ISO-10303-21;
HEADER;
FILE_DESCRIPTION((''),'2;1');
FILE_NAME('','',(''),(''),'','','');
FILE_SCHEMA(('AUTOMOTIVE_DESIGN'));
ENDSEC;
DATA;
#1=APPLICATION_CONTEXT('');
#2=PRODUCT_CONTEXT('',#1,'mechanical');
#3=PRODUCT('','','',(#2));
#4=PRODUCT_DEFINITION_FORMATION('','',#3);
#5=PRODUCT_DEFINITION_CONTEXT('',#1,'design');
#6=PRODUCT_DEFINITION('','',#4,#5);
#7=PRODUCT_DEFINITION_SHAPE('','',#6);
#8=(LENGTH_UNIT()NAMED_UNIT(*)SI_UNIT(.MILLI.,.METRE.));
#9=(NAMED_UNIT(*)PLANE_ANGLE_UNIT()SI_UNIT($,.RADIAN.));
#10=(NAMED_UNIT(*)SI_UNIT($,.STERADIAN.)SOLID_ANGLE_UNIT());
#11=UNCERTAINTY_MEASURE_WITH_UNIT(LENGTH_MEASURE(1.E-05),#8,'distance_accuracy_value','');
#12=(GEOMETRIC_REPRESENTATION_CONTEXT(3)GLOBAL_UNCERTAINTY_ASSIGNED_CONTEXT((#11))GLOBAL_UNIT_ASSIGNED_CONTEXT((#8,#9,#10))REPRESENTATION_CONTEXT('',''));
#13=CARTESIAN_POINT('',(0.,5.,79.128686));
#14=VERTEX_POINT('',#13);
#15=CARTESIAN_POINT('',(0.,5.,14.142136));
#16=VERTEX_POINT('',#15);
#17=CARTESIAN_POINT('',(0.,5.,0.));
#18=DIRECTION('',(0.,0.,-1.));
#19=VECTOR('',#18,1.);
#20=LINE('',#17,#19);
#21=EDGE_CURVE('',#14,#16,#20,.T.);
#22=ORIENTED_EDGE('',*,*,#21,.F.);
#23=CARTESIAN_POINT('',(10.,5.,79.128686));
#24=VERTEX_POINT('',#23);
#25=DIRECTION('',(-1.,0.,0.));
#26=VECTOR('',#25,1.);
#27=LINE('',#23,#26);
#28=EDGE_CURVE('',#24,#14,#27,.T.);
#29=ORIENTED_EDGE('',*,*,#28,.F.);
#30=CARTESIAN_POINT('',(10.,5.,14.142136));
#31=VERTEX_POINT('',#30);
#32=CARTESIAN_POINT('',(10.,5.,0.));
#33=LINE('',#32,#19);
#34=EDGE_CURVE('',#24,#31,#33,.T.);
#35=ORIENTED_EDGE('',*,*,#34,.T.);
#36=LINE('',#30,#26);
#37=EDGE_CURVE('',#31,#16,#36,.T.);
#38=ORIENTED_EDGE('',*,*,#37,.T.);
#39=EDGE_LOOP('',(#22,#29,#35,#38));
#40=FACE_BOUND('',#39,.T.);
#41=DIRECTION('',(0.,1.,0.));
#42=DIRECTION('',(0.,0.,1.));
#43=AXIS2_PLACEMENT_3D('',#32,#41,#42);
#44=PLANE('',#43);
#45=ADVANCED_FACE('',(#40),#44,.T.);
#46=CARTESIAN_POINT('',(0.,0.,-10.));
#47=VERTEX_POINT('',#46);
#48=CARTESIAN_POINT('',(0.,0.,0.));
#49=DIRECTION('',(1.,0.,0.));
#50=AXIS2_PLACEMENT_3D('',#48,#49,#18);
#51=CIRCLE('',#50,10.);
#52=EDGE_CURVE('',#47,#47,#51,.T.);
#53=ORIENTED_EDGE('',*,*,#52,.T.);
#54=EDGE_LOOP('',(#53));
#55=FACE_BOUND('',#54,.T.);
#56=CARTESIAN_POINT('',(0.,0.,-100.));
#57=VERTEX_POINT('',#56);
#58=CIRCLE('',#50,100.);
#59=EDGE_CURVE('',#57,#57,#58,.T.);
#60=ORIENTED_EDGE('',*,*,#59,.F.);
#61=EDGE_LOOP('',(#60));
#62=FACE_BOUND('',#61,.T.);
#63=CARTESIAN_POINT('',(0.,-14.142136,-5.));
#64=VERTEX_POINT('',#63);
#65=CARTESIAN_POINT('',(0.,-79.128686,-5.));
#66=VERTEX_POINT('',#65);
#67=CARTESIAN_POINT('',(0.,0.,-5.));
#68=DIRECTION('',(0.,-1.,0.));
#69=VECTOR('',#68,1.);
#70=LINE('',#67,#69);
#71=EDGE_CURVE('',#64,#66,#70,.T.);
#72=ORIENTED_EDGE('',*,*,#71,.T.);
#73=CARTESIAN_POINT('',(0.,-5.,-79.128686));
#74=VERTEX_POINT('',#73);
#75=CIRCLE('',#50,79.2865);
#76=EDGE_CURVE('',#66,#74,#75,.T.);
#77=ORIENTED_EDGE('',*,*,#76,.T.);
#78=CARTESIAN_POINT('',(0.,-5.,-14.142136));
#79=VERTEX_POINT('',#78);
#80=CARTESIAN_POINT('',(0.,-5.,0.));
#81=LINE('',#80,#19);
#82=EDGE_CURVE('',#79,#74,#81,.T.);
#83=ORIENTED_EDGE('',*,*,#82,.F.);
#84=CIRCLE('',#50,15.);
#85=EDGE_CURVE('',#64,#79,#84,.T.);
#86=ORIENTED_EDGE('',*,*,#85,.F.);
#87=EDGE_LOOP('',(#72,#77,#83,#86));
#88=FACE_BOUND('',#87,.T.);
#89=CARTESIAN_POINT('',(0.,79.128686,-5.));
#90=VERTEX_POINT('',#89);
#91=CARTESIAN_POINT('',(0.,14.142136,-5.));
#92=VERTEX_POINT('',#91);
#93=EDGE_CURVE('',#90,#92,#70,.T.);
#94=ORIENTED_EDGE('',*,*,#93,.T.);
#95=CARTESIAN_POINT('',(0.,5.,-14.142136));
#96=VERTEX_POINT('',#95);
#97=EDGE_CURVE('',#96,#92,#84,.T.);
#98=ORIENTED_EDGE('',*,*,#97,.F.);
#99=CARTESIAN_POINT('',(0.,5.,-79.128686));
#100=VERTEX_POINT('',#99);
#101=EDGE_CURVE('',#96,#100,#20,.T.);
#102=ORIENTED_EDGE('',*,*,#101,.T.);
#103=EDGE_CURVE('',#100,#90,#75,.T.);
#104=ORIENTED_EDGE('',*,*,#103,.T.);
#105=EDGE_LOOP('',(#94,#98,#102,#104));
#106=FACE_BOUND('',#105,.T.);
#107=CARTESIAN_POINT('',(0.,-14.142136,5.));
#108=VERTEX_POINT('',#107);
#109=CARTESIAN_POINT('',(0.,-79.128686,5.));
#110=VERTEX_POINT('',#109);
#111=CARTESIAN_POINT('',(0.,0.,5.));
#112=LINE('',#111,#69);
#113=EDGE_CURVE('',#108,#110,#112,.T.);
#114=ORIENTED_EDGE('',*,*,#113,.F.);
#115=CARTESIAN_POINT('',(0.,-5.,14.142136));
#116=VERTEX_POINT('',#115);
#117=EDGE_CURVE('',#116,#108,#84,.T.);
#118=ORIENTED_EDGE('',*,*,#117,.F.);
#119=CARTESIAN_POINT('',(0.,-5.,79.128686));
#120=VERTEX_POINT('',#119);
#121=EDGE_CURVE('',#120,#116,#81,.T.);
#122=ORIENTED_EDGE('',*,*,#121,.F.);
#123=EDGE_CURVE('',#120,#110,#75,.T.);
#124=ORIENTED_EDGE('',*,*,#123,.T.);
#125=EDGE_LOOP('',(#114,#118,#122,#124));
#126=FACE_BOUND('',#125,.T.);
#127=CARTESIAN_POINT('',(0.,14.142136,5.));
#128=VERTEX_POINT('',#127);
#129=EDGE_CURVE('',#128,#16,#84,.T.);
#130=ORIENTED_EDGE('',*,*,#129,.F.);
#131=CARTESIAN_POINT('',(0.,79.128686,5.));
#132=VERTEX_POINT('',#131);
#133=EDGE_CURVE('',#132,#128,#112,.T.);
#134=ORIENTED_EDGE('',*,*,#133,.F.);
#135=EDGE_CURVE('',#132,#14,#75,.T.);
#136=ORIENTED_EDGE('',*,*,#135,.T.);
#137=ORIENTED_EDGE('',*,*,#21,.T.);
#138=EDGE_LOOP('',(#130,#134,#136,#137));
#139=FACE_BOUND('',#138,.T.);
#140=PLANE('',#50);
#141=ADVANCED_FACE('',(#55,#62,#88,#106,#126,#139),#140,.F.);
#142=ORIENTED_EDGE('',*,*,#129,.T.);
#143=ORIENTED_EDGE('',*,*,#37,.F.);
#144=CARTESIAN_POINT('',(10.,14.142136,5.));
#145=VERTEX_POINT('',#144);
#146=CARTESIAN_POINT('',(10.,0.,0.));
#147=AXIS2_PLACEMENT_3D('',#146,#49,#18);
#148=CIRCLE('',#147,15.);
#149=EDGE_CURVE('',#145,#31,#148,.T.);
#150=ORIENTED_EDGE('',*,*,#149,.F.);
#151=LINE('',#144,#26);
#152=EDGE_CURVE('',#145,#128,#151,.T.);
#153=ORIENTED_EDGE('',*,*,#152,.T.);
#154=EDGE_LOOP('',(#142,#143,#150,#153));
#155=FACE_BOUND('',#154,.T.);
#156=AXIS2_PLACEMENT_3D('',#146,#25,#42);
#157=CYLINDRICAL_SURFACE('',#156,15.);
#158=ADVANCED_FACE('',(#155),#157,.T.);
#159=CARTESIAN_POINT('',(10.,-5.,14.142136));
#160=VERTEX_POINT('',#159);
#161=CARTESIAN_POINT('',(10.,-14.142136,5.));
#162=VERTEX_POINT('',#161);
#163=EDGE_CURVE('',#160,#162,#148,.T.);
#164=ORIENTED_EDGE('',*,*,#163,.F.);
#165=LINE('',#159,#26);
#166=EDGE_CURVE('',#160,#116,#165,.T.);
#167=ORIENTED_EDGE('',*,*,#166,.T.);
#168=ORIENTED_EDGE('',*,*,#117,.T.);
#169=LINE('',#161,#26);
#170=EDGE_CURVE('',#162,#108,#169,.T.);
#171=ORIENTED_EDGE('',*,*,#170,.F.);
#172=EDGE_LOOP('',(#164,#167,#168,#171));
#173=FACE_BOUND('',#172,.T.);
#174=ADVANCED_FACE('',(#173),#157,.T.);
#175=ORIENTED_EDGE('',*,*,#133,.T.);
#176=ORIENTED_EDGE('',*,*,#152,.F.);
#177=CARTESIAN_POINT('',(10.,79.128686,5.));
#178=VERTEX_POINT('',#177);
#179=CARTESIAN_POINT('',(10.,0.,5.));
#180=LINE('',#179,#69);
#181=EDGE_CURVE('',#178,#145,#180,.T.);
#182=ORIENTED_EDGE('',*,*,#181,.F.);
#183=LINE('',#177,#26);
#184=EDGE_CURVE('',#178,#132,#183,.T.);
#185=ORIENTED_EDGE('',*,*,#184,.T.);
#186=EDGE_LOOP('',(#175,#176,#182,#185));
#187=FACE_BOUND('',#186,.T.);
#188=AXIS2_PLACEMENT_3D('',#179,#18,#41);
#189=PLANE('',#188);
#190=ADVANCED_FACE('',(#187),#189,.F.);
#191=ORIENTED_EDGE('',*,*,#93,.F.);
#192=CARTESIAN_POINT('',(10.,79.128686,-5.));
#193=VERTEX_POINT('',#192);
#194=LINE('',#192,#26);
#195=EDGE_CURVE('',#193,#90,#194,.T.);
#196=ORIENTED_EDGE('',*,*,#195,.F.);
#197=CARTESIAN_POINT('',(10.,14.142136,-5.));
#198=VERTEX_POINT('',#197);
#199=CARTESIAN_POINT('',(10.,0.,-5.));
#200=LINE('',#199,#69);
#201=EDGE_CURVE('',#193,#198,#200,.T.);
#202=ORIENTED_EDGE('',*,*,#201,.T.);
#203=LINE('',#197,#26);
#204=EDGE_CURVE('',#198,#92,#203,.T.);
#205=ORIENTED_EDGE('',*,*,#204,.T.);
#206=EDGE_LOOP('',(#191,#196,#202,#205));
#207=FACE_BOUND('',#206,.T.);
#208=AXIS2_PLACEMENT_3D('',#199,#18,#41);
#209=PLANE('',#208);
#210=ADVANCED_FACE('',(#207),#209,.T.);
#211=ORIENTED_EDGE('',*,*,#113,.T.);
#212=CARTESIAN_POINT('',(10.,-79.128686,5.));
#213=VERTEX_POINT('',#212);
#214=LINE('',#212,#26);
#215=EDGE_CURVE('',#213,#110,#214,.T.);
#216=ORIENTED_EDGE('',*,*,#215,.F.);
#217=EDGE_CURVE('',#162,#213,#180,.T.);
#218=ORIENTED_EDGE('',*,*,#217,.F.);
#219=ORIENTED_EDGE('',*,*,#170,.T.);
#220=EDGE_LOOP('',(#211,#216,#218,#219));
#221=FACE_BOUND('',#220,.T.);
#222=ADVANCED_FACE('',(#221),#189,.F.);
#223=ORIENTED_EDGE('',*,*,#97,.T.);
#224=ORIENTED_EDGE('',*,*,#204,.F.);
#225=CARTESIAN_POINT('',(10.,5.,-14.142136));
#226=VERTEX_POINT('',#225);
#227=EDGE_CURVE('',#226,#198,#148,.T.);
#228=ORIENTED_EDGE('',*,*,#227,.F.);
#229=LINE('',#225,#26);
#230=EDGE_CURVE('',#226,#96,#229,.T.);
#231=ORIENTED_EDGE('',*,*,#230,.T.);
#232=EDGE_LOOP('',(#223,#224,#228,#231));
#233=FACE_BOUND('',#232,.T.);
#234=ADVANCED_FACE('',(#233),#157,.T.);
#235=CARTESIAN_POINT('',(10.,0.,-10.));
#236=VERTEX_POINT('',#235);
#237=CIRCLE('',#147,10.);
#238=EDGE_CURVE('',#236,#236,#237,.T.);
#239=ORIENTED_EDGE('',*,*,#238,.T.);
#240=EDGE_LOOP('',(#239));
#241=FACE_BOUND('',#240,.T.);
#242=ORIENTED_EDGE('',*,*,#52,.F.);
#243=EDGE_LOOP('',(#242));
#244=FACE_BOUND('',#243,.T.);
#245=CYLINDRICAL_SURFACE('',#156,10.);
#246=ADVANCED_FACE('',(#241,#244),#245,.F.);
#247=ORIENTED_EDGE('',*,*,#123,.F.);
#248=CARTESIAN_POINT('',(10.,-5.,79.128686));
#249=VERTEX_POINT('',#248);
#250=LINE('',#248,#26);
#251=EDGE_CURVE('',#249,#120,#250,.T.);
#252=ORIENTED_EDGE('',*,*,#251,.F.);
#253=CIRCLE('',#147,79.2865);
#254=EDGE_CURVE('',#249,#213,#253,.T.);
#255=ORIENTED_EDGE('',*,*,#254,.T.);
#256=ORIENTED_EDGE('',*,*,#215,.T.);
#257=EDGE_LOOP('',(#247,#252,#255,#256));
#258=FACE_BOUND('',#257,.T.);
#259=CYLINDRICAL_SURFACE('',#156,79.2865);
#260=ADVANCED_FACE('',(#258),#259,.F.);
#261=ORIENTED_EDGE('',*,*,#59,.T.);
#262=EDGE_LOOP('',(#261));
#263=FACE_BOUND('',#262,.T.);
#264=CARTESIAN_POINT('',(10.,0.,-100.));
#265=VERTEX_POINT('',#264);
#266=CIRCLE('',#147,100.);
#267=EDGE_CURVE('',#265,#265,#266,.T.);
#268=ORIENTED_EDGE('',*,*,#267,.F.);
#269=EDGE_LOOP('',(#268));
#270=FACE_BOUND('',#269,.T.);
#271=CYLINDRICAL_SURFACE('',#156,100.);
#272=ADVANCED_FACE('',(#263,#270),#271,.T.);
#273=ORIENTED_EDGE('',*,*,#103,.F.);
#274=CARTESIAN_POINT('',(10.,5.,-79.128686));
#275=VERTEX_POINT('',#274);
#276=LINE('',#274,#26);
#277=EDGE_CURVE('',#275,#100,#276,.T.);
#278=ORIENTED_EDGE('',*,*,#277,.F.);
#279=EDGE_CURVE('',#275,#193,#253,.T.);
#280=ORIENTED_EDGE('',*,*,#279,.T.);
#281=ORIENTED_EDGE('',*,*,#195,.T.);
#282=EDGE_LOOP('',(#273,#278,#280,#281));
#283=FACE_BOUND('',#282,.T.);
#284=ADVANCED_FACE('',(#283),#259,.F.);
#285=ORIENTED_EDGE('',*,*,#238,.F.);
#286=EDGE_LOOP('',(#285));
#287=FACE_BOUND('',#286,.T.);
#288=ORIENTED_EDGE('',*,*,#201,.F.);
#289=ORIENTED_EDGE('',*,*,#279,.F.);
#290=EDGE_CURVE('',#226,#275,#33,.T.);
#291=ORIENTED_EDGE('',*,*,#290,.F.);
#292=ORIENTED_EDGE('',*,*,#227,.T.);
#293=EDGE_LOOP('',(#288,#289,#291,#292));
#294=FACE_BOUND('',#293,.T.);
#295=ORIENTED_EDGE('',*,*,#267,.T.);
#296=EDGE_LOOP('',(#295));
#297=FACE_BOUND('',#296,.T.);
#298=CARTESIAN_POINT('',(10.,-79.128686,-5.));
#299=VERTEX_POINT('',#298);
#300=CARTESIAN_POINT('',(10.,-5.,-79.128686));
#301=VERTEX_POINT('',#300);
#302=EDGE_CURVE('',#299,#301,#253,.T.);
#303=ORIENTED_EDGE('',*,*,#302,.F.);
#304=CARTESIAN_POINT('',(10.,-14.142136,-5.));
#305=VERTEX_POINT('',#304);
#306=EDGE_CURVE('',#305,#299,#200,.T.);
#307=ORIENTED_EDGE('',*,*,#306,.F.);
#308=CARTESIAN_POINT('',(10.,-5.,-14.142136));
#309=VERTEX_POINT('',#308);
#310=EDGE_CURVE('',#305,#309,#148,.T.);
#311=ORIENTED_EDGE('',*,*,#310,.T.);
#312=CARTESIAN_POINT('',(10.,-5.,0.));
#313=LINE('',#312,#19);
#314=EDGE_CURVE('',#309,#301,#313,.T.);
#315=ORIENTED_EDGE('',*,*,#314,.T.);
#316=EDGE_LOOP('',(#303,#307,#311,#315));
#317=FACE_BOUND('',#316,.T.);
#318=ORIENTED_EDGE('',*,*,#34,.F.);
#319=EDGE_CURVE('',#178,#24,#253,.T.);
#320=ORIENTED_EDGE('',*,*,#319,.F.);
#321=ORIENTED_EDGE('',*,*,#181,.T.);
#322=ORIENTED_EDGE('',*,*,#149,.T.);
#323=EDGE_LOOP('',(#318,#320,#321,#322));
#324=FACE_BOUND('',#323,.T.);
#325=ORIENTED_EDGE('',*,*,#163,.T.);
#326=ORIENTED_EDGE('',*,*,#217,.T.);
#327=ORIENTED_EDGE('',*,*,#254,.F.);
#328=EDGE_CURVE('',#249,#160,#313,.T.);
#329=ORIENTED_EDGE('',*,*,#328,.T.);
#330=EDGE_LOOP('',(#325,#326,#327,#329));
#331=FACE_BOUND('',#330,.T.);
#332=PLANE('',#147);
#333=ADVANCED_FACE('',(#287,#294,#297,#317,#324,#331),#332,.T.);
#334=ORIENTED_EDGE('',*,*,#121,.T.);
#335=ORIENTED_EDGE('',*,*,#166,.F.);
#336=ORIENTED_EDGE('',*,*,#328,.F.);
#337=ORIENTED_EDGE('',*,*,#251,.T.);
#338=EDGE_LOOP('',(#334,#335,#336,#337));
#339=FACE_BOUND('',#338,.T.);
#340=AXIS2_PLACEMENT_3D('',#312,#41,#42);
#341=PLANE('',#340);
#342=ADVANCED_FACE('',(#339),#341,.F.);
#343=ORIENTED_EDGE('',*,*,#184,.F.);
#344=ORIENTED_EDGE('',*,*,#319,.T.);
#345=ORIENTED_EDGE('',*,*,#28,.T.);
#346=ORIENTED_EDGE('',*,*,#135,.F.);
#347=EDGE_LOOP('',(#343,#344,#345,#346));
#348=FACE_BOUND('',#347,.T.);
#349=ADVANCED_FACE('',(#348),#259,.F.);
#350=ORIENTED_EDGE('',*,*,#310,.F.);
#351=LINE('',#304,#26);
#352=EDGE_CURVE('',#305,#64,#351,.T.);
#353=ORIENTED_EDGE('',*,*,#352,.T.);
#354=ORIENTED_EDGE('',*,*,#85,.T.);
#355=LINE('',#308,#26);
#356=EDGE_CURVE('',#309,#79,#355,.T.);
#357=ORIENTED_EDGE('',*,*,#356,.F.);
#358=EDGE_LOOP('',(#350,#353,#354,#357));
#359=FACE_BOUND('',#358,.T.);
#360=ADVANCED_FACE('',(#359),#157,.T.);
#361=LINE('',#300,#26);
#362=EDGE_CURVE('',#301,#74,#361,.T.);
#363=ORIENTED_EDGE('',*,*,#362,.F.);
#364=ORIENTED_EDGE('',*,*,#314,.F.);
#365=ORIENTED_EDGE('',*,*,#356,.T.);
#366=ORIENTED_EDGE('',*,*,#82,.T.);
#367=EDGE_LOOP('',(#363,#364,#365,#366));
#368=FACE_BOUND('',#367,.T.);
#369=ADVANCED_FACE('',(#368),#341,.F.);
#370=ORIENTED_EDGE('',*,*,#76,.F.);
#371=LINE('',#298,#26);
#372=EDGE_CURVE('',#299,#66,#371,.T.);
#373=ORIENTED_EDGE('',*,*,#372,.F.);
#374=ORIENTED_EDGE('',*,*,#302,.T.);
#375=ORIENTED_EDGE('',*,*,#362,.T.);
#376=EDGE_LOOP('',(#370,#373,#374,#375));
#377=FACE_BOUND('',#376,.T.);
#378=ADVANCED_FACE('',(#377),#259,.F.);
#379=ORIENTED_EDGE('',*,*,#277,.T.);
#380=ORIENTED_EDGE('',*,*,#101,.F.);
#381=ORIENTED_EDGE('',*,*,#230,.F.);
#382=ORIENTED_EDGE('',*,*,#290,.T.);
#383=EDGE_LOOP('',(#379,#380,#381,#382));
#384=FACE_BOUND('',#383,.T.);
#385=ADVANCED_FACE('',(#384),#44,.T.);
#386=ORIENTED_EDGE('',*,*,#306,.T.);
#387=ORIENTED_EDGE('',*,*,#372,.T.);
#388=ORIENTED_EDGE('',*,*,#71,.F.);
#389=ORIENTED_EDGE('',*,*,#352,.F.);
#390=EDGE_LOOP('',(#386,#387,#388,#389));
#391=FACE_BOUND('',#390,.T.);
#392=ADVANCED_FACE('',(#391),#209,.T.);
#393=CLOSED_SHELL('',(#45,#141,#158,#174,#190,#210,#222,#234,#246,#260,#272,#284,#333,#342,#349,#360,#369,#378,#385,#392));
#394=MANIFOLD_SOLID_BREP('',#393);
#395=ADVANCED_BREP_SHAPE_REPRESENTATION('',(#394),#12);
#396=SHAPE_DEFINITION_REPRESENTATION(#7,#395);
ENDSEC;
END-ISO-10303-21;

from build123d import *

# Parameters (mm, degrees)
SKETCH1_R           = 100
SKETCH1_R_2         = 79.286499618
SKETCH1_R_3         = 15
SKETCH1_R_4         = 10
BOSS_EXTRUDE1_DEPTH = 10


with BuildPart() as part:
    # Sketch1 → Boss-Extrude1 (new body)
    with BuildSketch(Plane(origin=(0, 0, 0), x_dir=(0, 0, -1), z_dir=(1, 0, 0))):
        Circle(SKETCH1_R)
        Circle(SKETCH1_R_2, mode=Mode.SUBTRACT)
        with BuildLine():
            Line((-5, -14.142135624), (-5, -79.128686465))
            ThreePointArc((-5, -79.128686465), (0, -79.286499618), (5, -79.128686465))
            Line((5, -79.128686465), (5, -14.142135624))
            ThreePointArc((5, -14.142135624), (0, -15), (-5, -14.142135624))
        make_face()
        with BuildLine():
            Line((-14.142135624, 5), (-79.128686465, 5))
            ThreePointArc((-79.128686465, 5), (-79.286499618, 0), (-79.128686465, -5))
            Line((-79.128686465, -5), (-14.142135624, -5))
            ThreePointArc((-14.142135624, -5), (-15, 0), (-14.142135624, 5))
        make_face()
        with BuildLine():
            ThreePointArc((5, 79.128686465), (0, 79.286499618), (-5, 79.128686465))
            Line((-5, 79.128686465), (-5, 14.142135624))
            ThreePointArc((-5, 14.142135624), (0, 15), (5, 14.142135624))
            Line((5, 14.142135624), (5, 79.128686465))
        make_face()
        with BuildLine():
            ThreePointArc((79.286499618, 0), (79.247036509, 2.50124494), (79.128686465, 5))
            Line((79.128686465, 5), (14.142135624, 5))
            ThreePointArc((14.142135624, 5), (14.783978395, 2.536529681), (15, 0))
            ThreePointArc((15, 0), (14.783978395, -2.536529681), (14.142135624, -5))
            Line((14.142135624, -5), (79.128686465, -5))
            ThreePointArc((79.128686465, -5), (79.247036509, -2.50124494), (79.286499618, 0))
        make_face()
        Circle(SKETCH1_R_3)
        Circle(SKETCH1_R_4, mode=Mode.SUBTRACT)
    extrude(amount=BOSS_EXTRUDE1_DEPTH)


solid = part.part
